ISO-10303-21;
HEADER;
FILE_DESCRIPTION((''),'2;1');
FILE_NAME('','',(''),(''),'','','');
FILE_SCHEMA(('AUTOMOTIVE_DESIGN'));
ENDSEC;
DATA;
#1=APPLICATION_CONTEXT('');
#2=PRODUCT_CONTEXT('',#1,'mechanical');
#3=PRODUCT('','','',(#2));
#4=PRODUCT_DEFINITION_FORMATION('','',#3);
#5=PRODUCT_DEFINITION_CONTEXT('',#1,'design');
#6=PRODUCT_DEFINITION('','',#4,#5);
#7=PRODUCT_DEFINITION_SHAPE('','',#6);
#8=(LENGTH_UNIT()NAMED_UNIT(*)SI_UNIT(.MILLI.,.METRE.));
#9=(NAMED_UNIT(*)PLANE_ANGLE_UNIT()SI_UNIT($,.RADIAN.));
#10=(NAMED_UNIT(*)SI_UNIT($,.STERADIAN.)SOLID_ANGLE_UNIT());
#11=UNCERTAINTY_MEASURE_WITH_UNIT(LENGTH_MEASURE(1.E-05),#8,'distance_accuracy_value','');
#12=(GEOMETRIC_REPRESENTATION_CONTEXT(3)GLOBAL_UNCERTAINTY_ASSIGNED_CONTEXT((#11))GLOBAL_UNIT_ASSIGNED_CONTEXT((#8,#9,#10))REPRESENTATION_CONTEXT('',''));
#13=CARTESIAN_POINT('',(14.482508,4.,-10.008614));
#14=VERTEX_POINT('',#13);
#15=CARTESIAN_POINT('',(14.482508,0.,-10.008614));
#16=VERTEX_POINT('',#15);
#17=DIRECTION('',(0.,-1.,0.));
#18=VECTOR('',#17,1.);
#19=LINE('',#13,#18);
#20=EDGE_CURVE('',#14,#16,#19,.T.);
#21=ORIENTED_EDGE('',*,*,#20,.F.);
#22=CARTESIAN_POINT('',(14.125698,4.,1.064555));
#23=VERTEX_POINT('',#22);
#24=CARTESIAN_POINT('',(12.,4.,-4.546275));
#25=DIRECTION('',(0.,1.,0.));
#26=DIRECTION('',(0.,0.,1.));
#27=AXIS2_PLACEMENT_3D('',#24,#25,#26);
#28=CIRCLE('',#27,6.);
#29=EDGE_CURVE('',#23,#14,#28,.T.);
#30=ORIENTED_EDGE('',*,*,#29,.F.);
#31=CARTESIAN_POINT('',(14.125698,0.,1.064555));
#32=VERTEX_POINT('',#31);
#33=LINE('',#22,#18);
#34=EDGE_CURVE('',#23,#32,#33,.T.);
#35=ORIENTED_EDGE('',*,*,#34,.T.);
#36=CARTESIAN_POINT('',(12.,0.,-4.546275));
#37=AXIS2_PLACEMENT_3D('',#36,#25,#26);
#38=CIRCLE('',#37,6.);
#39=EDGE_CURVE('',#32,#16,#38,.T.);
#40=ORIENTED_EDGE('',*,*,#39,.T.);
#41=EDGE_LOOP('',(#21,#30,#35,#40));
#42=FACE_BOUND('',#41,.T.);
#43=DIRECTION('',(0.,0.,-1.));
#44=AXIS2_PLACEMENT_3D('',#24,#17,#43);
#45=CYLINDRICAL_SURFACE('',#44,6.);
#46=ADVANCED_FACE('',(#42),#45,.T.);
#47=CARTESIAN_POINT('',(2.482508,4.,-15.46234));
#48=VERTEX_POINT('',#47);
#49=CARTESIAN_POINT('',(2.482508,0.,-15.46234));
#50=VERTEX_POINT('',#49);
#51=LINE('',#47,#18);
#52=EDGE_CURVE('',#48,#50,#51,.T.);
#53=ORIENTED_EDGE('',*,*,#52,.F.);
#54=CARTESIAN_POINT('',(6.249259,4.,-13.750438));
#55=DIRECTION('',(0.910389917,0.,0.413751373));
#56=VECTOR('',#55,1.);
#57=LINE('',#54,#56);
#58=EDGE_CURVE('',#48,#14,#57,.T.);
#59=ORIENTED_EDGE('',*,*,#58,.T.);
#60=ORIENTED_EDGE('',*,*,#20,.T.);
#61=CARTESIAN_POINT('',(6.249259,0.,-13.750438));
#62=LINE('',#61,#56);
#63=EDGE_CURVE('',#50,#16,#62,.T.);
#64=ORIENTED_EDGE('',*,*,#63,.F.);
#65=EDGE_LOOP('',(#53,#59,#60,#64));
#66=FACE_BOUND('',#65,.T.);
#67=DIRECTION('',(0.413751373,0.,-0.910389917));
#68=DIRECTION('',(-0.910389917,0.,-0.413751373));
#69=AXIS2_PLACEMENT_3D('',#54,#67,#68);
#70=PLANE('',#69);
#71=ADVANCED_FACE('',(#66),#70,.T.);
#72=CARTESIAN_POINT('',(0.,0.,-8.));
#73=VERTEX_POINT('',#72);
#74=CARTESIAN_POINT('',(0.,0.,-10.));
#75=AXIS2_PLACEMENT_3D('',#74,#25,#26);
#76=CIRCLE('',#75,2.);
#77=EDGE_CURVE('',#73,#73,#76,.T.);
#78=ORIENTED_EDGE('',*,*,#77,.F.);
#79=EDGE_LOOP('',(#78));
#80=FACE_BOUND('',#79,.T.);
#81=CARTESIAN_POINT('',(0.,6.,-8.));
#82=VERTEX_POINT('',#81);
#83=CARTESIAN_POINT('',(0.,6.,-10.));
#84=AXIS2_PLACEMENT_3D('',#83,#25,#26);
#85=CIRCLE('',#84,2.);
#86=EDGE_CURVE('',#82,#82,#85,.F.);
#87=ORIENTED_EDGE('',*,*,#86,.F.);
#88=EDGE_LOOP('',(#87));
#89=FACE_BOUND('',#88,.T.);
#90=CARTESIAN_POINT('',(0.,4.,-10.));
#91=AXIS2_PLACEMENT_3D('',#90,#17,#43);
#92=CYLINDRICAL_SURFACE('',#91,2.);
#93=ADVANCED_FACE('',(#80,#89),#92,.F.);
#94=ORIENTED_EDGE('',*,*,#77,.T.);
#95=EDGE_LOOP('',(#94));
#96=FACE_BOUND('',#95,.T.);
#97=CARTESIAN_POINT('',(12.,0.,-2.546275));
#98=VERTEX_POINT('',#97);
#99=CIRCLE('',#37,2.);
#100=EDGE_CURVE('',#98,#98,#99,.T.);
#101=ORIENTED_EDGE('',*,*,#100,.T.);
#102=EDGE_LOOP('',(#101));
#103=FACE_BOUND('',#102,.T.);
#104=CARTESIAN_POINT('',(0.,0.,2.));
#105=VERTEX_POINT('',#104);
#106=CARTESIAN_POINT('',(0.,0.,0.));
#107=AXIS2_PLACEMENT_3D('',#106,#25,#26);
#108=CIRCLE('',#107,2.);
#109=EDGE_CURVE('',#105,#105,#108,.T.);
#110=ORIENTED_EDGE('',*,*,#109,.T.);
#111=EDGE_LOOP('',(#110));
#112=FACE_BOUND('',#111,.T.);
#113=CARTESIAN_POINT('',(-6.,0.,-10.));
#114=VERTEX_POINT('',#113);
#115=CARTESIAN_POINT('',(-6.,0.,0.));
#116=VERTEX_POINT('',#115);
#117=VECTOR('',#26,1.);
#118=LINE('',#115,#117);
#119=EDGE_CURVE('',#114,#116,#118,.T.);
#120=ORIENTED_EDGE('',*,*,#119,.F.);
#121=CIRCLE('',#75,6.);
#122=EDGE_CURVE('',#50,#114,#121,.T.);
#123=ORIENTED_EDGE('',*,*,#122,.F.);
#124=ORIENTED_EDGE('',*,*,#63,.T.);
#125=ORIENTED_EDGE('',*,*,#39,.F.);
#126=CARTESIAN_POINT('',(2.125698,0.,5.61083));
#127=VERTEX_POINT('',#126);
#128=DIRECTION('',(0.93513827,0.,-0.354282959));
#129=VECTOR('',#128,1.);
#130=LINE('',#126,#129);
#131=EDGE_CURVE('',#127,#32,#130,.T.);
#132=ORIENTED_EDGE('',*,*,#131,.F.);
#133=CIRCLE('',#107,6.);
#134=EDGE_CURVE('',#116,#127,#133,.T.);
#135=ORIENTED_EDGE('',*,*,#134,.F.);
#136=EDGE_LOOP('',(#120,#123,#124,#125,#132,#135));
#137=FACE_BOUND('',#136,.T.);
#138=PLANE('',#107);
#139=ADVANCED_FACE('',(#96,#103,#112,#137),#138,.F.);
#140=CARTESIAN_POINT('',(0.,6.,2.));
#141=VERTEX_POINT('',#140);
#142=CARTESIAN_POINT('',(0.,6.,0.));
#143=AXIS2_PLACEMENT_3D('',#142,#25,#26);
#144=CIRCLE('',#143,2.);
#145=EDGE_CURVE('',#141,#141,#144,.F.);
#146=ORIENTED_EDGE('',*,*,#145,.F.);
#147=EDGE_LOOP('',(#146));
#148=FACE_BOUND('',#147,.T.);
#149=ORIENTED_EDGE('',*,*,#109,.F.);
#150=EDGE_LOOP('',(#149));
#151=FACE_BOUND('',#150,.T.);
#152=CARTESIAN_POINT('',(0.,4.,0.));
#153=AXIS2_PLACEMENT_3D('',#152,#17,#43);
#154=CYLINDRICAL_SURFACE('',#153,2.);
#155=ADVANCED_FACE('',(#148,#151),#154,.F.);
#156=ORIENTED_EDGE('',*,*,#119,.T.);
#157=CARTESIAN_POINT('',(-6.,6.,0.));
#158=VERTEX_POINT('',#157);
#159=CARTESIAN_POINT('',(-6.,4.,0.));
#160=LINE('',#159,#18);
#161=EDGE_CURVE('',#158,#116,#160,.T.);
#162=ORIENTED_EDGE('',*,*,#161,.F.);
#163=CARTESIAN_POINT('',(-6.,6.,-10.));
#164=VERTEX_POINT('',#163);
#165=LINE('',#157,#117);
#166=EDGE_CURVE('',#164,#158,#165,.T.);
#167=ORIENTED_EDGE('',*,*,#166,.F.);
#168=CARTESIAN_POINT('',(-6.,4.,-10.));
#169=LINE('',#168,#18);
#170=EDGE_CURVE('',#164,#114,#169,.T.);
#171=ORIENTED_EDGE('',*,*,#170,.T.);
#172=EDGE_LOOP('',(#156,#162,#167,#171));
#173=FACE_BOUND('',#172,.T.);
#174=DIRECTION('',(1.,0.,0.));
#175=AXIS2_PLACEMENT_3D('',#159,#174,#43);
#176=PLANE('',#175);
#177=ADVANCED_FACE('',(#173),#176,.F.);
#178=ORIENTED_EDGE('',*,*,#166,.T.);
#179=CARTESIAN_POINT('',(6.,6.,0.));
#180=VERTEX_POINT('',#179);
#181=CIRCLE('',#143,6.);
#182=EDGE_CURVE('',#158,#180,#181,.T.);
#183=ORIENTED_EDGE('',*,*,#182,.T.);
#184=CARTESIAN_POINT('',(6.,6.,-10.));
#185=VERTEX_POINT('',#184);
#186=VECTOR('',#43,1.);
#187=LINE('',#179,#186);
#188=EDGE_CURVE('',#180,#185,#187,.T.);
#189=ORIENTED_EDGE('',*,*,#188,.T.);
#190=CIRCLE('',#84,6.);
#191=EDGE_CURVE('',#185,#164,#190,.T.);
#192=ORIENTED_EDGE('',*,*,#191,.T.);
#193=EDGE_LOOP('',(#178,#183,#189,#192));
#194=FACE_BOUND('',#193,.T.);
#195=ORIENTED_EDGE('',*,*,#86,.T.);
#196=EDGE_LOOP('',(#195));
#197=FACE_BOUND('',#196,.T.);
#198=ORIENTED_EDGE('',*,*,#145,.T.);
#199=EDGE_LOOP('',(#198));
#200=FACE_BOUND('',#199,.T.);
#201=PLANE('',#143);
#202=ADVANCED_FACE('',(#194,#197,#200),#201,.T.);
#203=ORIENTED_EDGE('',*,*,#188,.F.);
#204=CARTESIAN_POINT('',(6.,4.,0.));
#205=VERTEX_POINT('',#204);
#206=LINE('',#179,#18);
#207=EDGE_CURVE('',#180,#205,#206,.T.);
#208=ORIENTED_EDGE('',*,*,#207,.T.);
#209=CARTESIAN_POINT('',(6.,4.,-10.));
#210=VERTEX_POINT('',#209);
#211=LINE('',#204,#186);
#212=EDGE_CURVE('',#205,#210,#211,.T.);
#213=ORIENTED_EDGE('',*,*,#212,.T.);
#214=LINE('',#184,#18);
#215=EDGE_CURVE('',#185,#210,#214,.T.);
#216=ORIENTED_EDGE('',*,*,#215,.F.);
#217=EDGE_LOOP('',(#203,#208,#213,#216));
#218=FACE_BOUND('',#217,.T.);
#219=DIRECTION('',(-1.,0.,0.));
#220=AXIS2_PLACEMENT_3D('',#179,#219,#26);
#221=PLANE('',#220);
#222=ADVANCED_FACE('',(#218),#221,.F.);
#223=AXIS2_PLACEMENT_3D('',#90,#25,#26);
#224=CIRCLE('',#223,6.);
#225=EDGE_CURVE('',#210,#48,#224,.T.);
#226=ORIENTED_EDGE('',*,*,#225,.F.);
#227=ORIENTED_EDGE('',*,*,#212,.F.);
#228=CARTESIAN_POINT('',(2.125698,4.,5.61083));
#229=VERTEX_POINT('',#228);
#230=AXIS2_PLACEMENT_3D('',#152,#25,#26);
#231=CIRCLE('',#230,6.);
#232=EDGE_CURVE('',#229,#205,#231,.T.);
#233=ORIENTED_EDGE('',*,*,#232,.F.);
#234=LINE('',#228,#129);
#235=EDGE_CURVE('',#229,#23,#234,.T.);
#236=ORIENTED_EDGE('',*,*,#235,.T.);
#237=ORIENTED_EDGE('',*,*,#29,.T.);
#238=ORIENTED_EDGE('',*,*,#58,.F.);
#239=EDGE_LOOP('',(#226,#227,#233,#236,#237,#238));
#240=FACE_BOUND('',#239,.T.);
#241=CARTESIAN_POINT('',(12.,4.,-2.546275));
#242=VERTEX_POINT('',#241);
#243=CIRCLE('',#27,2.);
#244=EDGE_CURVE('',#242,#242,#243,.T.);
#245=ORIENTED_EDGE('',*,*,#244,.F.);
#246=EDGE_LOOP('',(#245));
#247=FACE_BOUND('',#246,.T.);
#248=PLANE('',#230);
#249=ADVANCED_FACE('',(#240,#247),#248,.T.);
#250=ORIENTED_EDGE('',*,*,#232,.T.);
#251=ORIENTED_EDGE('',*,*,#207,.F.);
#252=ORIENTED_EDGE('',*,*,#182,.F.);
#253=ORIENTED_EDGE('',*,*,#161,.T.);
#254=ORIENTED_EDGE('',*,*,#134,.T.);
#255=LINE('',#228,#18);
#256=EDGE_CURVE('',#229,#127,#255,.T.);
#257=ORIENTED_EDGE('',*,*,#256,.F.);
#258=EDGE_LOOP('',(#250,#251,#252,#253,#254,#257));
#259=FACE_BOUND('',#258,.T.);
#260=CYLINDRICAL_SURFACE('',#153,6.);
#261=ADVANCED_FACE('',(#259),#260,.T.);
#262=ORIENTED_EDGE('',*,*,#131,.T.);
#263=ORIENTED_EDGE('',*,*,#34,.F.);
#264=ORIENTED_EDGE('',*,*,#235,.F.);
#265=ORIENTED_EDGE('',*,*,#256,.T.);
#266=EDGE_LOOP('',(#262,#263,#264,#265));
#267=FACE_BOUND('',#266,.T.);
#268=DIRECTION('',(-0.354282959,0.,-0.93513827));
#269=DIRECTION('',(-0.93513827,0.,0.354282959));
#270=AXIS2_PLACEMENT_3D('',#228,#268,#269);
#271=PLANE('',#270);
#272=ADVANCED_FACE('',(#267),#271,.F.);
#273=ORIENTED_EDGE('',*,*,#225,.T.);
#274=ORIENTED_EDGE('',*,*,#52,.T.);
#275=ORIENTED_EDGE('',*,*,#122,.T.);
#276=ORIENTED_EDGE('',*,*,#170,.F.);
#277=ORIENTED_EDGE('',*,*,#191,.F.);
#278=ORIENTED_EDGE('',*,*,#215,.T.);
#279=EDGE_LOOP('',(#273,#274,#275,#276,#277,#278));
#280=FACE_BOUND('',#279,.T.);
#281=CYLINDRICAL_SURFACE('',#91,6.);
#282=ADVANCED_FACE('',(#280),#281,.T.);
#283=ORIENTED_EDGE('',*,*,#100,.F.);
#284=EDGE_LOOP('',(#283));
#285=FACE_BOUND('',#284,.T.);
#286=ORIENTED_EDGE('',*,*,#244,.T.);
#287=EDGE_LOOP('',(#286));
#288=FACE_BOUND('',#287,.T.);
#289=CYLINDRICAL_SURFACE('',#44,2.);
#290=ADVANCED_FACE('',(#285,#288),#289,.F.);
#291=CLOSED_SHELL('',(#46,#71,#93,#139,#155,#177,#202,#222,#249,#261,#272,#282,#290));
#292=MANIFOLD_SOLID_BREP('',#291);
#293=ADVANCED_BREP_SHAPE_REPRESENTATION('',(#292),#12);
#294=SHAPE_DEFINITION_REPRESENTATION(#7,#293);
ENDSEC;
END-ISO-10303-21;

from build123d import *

# Parameters (mm, degrees)
SKETCH1_R           = 2
BOSS_EXTRUDE1_DEPTH = 4
SKETCH2_R           = 2
BOSS_EXTRUDE2_DEPTH = 2


with BuildPart() as part:
    # Sketch1 → Boss-Extrude1 (new body)
    with BuildSketch(Plane(origin=(0, 0, 0), x_dir=(1, 0, 0), z_dir=(0, 1, 0))):
        with BuildLine():
            Line((2.12569774, -5.610829628), (14.125697613, -1.064554922))
            ThreePointArc((14.125697613, -1.064554922), (17.99688746, 4.353037094), (14.482508262, 10.008614247))
            Line((14.482508262, 10.008614247), (2.482508267, 15.46233949))
            ThreePointArc((2.482508267, 15.46233949), (-3.248457357, 15.044553975), (-6, 10))
            Line((-6, 10), (-6, 0))
            ThreePointArc((-6, 0), (-3.409238446, -4.937316398), (2.12569774, -5.610829628))
        make_face()
        with Locations(Location((0, 0, 0), (0, 0, 270))):
            Circle(SKETCH1_R, mode=Mode.SUBTRACT)
        with Locations(Location((0, 10, 0), (0, 0, 270))):
            Circle(SKETCH1_R, mode=Mode.SUBTRACT)
        with Locations(Location((12, 4.546274754, 0), (0, 0, 270))):
            Circle(SKETCH1_R, mode=Mode.SUBTRACT)
    extrude(amount=BOSS_EXTRUDE1_DEPTH)

    # Sketch2 → Boss-Extrude2 (add)
    with BuildSketch(Plane(origin=(0, 4, 0), x_dir=(1, 0, 0), z_dir=(0, 1, 0))):
        with BuildLine():
            ThreePointArc((6, 10), (0, 16), (-6, 10))
            Line((-6, 10), (-6, 0))
            ThreePointArc((-6, 0), (0, -6), (6, 0))
            Line((6, 0), (6, 10))
        make_face()
        Circle(SKETCH2_R, mode=Mode.SUBTRACT)
        with Locations((0, 10)):
            Circle(SKETCH2_R, mode=Mode.SUBTRACT)
    extrude(amount=BOSS_EXTRUDE2_DEPTH)


solid = part.part
